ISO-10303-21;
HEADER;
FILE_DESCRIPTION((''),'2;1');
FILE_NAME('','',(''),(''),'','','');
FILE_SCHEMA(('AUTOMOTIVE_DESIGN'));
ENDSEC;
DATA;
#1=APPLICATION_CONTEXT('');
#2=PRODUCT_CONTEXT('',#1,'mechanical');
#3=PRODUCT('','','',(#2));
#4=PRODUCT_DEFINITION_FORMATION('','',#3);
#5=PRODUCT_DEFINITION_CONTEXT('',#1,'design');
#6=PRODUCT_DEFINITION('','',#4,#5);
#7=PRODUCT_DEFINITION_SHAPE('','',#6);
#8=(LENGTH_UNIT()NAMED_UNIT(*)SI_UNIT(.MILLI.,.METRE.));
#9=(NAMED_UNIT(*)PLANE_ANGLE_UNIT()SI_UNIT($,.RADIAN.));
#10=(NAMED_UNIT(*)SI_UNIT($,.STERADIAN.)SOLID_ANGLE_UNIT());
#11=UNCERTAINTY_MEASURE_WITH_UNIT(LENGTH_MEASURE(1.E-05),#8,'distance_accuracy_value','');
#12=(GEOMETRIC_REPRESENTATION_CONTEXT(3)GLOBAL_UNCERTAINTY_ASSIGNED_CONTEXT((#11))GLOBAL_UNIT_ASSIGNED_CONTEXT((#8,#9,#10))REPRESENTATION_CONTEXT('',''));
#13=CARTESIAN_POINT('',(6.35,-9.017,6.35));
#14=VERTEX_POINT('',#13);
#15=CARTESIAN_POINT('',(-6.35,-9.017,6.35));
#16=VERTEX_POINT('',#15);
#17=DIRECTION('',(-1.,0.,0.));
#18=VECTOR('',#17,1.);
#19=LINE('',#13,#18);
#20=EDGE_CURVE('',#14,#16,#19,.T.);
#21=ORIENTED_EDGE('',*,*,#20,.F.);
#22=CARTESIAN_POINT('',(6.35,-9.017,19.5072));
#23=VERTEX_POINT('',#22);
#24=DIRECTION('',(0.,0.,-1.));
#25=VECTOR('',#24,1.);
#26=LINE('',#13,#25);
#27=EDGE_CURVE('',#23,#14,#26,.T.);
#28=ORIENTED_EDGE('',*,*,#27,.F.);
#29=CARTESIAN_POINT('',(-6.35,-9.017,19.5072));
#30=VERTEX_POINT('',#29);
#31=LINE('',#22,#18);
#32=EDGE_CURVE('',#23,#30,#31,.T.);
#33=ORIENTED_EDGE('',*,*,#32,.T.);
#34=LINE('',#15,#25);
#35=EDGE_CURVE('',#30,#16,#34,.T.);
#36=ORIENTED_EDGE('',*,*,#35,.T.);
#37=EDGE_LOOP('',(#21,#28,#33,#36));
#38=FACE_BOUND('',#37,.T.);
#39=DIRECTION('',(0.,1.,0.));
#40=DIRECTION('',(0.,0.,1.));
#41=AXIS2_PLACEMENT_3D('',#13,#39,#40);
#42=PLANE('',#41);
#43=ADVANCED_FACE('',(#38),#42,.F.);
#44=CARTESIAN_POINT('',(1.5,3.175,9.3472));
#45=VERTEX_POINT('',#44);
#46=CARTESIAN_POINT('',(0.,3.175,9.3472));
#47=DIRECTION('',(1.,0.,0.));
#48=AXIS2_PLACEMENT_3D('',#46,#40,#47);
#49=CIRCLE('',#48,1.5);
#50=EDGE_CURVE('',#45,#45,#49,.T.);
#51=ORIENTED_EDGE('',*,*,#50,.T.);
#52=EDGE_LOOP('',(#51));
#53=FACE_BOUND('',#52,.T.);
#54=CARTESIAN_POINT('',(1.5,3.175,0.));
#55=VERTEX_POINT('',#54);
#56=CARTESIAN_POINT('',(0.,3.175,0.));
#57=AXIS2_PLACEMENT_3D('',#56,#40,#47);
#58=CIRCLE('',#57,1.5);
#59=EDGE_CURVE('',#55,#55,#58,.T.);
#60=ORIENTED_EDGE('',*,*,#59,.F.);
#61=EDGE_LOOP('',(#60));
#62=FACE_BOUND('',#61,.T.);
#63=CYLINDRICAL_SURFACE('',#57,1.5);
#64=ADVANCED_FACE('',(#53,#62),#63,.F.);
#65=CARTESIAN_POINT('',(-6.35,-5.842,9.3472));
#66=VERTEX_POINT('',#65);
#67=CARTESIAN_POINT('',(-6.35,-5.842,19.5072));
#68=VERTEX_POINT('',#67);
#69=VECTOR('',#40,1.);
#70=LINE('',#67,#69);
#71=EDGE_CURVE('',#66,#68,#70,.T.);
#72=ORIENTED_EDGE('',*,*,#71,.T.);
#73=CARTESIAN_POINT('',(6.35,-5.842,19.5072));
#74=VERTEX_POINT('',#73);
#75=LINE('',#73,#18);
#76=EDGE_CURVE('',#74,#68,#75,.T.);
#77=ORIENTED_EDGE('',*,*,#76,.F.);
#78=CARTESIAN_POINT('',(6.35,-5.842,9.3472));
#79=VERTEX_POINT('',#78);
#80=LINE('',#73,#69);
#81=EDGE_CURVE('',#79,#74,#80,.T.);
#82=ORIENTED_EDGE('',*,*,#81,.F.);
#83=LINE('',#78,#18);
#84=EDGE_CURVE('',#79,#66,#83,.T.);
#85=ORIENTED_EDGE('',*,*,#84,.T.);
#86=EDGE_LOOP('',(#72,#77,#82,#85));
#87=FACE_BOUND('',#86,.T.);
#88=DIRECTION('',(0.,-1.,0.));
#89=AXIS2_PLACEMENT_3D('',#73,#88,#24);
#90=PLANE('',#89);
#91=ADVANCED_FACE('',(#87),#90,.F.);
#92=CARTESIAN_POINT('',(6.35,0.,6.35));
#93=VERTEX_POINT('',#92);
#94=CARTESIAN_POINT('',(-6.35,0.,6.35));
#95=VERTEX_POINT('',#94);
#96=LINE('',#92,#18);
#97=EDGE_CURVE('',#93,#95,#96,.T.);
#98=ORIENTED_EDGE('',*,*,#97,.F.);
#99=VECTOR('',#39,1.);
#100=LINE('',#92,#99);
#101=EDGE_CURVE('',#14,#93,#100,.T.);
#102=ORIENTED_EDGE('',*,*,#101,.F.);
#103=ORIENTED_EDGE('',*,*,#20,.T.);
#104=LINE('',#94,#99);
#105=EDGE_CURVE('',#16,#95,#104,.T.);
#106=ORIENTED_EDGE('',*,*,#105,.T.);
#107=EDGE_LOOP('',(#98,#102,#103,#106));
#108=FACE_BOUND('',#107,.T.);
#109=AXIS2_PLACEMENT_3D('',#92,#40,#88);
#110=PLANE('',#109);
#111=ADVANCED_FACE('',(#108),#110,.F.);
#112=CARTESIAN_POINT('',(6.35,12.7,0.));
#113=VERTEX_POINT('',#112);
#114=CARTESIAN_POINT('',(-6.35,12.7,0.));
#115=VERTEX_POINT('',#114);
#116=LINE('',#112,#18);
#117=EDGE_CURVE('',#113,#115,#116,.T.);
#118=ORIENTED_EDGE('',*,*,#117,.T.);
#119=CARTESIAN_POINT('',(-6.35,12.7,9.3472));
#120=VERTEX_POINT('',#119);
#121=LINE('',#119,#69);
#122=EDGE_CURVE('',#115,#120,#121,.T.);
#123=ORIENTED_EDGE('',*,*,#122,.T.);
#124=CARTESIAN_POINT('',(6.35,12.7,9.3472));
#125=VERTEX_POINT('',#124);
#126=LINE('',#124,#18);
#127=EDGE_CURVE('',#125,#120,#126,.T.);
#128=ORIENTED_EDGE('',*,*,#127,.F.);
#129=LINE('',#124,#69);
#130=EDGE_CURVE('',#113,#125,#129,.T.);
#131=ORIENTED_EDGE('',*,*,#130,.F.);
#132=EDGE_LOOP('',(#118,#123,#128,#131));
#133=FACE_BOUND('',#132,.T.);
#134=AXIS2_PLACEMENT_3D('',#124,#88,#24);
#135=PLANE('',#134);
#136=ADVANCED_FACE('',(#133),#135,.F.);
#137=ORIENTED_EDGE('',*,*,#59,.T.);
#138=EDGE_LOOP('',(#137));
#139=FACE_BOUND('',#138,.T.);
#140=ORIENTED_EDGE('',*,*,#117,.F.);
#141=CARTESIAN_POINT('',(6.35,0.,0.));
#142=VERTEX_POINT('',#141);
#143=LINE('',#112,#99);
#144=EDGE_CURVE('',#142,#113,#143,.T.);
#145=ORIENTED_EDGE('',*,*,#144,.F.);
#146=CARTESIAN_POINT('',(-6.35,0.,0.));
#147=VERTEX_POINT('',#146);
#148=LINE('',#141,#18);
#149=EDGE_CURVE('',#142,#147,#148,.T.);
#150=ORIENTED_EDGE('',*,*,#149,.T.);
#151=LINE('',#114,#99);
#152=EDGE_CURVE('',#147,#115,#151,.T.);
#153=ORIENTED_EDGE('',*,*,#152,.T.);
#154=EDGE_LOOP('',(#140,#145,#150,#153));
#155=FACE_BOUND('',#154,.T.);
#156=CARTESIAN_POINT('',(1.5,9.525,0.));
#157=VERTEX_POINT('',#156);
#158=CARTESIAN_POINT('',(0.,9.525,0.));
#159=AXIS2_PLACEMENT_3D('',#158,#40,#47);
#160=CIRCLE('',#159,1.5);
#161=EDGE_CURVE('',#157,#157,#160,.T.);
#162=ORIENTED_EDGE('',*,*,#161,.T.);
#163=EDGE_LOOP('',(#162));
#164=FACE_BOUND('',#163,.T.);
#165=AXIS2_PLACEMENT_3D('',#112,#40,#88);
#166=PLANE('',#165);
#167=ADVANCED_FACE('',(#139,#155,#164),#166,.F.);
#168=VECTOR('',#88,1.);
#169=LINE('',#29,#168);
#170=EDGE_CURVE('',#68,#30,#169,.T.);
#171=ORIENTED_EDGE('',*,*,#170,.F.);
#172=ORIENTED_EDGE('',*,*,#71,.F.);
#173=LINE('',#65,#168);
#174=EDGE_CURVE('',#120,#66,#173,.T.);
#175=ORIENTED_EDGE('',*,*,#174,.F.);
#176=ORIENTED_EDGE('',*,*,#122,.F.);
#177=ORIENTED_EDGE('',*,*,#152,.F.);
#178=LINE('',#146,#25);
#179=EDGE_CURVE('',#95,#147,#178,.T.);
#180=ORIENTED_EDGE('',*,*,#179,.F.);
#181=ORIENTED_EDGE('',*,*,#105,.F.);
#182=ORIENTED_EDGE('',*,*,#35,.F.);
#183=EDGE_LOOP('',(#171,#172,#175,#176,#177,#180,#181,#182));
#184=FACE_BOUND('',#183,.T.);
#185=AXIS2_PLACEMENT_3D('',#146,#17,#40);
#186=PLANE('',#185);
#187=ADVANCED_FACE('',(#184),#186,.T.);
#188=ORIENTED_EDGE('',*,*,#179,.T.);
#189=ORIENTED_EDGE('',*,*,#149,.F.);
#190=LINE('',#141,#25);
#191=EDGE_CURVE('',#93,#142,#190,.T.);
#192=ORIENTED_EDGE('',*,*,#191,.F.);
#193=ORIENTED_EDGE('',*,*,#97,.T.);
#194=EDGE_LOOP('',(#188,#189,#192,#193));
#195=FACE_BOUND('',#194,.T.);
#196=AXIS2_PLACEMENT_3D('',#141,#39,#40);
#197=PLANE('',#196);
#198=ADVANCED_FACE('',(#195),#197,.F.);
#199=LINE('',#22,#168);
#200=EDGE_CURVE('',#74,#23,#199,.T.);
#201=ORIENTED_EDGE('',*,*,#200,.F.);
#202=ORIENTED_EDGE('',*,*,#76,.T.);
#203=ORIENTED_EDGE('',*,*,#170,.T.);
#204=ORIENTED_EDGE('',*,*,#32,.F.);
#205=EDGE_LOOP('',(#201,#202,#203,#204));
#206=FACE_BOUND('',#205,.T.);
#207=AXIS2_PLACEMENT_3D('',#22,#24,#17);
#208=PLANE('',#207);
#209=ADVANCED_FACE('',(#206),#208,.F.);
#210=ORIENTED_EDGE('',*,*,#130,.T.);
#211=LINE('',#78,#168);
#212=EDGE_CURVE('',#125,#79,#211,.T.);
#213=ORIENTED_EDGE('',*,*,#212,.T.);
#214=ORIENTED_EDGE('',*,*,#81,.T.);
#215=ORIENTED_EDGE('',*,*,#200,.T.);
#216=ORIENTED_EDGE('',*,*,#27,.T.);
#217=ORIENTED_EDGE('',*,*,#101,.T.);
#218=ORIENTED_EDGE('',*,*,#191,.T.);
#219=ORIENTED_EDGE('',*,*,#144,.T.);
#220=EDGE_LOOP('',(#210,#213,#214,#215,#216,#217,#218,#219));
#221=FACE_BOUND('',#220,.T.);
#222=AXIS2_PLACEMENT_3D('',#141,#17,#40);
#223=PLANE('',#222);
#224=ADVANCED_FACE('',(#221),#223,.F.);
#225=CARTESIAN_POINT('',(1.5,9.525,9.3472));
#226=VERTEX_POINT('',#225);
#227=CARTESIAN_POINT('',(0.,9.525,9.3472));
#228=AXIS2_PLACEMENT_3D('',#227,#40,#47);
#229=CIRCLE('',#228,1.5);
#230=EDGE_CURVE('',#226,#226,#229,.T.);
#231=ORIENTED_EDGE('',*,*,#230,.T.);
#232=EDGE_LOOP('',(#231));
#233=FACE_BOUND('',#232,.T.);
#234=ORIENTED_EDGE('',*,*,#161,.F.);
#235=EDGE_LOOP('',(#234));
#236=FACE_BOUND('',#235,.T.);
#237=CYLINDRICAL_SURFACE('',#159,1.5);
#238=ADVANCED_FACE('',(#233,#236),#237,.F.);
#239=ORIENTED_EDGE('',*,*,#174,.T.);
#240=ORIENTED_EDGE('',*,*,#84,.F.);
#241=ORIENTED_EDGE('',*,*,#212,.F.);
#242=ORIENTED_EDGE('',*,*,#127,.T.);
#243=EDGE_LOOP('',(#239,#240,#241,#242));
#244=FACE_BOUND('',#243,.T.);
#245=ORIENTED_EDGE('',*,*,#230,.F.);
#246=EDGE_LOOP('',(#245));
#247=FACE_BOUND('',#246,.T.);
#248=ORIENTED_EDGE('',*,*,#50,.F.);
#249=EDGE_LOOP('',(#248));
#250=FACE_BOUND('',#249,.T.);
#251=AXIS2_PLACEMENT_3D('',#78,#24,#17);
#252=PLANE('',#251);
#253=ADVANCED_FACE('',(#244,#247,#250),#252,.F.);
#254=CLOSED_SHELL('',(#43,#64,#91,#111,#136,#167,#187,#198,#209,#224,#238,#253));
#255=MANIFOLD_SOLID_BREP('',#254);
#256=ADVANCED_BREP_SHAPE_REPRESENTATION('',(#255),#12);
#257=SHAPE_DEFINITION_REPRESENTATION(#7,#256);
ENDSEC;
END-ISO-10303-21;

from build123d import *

# Parameters (mm, degrees)
BOSS_EXTRUDE1_DEPTH = 6.35
SKETCH2_R           = 1.5
CUT_EXTRUDE1_DEPTH  = 10.3472


with BuildPart() as part:
    # Sketch1 → Boss-Extrude1 (new body, symmetric)
    with BuildSketch(Plane(origin=(0, 0, 0), x_dir=(0, 0, -1), z_dir=(1, 0, 0))):
        Polygon((0, 12.7), (0, 0), (-6.35, 0), (-6.35, -9.017), (-19.5072, -9.017), (-19.5072, -5.842), (-9.3472, -5.842), (-9.3472, 12.7), align=None)
    extrude(amount=BOSS_EXTRUDE1_DEPTH, both=True)

    # Sketch2 → Cut-Extrude1 (cut, through all)
    with BuildSketch(Plane.XY.offset(9.3472)):
        with Locations((0, 9.525)):
            Circle(SKETCH2_R)
        with Locations((0, 3.175)):
            Circle(SKETCH2_R)
    extrude(amount=-CUT_EXTRUDE1_DEPTH, mode=Mode.SUBTRACT)


solid = part.part
